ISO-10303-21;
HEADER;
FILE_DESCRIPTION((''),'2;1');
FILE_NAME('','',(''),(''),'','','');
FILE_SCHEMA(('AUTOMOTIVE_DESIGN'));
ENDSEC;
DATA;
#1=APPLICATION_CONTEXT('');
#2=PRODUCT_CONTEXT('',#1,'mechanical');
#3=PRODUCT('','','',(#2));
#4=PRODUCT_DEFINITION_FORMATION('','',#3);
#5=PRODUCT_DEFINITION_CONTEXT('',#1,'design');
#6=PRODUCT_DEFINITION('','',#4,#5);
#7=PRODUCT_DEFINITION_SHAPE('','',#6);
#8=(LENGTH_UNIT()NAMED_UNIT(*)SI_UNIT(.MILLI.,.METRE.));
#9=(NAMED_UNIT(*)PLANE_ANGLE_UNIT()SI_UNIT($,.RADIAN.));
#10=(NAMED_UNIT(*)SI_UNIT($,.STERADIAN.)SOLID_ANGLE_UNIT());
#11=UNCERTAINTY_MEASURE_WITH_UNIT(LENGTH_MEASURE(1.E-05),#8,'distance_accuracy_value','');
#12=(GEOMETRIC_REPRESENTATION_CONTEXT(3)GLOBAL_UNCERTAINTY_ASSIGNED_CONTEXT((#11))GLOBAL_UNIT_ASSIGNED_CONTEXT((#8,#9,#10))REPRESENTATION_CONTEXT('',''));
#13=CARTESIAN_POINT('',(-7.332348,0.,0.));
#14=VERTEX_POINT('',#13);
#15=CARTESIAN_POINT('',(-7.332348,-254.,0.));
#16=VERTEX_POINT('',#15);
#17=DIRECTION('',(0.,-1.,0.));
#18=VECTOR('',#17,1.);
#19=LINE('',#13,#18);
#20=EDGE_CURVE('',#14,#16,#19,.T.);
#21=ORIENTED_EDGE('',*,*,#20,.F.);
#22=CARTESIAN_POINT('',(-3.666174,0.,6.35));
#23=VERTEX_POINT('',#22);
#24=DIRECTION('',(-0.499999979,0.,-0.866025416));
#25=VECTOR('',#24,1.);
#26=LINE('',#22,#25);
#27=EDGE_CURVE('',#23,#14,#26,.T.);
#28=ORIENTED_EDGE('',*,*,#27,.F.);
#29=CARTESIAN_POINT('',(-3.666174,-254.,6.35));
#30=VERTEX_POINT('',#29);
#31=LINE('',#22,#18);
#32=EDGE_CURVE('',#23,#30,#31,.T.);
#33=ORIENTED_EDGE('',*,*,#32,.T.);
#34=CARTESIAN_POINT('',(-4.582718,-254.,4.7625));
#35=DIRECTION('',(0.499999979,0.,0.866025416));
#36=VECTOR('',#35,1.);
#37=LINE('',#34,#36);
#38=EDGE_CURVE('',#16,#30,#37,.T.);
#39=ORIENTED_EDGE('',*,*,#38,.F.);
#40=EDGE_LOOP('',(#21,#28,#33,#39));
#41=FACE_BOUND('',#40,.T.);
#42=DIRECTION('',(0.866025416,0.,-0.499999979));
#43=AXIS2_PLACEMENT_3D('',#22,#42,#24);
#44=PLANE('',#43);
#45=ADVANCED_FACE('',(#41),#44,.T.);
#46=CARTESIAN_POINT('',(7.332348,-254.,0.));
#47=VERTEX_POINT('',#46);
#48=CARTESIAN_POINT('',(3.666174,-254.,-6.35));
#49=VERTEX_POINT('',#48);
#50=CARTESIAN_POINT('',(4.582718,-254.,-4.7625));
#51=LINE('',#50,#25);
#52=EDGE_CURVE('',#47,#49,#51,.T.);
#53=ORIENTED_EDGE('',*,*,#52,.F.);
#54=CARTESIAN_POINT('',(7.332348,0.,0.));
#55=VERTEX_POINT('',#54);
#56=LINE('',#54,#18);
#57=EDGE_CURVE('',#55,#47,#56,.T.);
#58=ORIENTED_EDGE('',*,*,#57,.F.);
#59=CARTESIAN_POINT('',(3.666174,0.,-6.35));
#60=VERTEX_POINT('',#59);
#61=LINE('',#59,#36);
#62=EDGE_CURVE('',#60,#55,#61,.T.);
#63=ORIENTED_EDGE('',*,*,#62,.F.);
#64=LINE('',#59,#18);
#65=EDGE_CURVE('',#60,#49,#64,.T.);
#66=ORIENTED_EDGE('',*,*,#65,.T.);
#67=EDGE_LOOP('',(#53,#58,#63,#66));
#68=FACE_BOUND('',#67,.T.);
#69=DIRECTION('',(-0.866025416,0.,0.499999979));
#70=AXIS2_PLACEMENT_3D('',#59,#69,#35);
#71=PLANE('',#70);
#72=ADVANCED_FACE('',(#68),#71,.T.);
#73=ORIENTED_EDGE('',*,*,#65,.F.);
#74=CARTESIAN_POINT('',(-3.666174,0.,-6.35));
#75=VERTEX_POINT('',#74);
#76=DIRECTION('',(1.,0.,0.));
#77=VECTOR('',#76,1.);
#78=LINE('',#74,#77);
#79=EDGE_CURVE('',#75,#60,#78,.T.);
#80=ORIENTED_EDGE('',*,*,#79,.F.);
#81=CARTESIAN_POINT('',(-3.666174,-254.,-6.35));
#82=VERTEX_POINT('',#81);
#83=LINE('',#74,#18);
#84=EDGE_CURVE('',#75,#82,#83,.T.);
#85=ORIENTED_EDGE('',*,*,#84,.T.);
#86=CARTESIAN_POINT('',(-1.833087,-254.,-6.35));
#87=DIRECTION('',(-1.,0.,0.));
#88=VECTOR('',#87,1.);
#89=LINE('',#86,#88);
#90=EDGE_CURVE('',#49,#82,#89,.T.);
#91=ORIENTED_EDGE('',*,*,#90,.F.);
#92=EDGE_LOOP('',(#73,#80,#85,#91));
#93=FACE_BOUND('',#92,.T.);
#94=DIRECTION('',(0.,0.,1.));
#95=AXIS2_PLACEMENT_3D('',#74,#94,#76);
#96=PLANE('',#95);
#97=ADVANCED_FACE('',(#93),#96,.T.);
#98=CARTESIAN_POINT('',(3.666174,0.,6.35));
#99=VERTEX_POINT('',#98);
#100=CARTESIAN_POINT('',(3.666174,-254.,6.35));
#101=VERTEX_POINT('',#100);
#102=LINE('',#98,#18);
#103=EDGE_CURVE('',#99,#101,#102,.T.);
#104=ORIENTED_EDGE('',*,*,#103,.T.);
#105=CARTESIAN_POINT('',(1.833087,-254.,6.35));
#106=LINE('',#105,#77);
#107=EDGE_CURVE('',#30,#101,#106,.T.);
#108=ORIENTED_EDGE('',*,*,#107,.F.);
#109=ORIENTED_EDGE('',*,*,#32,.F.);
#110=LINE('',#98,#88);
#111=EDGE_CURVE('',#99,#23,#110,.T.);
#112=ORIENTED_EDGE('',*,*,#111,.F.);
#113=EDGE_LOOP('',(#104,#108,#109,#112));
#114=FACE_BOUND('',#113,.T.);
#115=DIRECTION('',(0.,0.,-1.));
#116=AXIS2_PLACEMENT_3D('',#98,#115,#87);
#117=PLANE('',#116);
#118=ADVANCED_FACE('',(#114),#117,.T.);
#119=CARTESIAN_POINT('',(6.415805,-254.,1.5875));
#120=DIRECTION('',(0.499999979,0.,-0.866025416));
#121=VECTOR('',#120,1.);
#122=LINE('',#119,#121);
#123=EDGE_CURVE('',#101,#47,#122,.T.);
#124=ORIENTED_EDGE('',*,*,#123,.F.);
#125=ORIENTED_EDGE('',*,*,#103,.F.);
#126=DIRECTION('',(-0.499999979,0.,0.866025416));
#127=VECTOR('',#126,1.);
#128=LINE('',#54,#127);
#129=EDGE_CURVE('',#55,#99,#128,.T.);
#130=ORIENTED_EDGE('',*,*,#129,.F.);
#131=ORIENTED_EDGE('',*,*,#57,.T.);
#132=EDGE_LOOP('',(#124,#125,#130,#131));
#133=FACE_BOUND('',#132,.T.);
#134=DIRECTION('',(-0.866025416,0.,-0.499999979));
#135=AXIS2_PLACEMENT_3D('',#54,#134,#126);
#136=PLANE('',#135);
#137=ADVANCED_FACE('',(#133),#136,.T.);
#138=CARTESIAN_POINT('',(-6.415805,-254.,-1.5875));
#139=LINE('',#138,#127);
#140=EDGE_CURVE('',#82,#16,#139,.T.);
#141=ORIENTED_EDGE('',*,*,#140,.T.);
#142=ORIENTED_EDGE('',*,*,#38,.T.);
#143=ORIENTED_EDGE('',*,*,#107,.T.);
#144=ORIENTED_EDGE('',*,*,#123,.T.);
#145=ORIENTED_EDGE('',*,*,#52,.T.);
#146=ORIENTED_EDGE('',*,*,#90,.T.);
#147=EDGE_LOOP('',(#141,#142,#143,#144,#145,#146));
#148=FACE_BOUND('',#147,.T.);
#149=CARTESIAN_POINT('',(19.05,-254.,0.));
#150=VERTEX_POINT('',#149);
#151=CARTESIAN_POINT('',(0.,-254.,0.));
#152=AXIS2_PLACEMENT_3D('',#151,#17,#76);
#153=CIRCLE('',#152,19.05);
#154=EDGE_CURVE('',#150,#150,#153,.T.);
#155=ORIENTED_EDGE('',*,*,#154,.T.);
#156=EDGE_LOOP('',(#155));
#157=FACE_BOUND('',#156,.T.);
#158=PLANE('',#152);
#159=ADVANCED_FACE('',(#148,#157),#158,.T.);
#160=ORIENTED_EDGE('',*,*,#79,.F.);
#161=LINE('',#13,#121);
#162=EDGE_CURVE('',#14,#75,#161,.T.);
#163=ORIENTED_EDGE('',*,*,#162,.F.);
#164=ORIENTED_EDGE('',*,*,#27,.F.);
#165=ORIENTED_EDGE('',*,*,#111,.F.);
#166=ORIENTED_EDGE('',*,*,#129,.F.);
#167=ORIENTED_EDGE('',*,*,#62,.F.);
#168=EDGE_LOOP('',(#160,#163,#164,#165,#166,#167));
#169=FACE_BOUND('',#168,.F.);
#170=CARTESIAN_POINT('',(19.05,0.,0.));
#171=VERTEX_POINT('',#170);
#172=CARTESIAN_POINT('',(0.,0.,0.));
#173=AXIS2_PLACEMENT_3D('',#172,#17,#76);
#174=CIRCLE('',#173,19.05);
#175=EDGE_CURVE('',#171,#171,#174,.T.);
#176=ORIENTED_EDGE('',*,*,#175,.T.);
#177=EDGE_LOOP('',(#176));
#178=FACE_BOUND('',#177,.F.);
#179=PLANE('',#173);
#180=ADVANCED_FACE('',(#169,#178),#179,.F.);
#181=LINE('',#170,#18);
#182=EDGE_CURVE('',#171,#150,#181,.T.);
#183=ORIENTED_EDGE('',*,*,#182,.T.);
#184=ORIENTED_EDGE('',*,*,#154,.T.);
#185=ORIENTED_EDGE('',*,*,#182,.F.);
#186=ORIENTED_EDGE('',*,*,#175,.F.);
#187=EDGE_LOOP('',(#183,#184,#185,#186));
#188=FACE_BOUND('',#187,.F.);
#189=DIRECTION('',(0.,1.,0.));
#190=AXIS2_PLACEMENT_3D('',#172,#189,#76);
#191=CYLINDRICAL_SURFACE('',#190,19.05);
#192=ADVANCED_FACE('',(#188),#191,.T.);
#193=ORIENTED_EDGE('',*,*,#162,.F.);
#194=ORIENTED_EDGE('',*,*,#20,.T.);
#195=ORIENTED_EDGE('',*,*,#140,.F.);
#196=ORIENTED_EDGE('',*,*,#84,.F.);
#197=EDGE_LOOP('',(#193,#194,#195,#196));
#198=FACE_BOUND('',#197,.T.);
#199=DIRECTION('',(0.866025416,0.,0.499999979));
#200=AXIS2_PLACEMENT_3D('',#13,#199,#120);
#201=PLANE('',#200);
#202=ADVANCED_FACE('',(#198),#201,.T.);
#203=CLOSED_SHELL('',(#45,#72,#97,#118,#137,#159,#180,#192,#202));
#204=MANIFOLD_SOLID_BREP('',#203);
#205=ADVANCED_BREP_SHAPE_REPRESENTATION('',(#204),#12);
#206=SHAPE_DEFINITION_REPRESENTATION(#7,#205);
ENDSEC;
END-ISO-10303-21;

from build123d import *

# Parameters (mm, degrees)
F0_R     = 19.05
F1_DEPTH = 254
F3_DEPTH = 254.001


with BuildPart() as f1:
    # F0 (on Front) → F1 (new body)
    with BuildSketch(Plane.XZ):
        Circle(F0_R)
    extrude(amount=F1_DEPTH)

    # F2 (on Front) → F3 (cut, through all)
    with BuildSketch(Plane.XZ):
        Polygon((-3.666174, 6.35), (-7.332348, 0), (-3.666174, -6.35), (3.666174, -6.35), (7.332348, 0), (3.666174, 6.35), align=None)
    extrude(amount=F3_DEPTH, mode=Mode.SUBTRACT)


solid = f1.part
